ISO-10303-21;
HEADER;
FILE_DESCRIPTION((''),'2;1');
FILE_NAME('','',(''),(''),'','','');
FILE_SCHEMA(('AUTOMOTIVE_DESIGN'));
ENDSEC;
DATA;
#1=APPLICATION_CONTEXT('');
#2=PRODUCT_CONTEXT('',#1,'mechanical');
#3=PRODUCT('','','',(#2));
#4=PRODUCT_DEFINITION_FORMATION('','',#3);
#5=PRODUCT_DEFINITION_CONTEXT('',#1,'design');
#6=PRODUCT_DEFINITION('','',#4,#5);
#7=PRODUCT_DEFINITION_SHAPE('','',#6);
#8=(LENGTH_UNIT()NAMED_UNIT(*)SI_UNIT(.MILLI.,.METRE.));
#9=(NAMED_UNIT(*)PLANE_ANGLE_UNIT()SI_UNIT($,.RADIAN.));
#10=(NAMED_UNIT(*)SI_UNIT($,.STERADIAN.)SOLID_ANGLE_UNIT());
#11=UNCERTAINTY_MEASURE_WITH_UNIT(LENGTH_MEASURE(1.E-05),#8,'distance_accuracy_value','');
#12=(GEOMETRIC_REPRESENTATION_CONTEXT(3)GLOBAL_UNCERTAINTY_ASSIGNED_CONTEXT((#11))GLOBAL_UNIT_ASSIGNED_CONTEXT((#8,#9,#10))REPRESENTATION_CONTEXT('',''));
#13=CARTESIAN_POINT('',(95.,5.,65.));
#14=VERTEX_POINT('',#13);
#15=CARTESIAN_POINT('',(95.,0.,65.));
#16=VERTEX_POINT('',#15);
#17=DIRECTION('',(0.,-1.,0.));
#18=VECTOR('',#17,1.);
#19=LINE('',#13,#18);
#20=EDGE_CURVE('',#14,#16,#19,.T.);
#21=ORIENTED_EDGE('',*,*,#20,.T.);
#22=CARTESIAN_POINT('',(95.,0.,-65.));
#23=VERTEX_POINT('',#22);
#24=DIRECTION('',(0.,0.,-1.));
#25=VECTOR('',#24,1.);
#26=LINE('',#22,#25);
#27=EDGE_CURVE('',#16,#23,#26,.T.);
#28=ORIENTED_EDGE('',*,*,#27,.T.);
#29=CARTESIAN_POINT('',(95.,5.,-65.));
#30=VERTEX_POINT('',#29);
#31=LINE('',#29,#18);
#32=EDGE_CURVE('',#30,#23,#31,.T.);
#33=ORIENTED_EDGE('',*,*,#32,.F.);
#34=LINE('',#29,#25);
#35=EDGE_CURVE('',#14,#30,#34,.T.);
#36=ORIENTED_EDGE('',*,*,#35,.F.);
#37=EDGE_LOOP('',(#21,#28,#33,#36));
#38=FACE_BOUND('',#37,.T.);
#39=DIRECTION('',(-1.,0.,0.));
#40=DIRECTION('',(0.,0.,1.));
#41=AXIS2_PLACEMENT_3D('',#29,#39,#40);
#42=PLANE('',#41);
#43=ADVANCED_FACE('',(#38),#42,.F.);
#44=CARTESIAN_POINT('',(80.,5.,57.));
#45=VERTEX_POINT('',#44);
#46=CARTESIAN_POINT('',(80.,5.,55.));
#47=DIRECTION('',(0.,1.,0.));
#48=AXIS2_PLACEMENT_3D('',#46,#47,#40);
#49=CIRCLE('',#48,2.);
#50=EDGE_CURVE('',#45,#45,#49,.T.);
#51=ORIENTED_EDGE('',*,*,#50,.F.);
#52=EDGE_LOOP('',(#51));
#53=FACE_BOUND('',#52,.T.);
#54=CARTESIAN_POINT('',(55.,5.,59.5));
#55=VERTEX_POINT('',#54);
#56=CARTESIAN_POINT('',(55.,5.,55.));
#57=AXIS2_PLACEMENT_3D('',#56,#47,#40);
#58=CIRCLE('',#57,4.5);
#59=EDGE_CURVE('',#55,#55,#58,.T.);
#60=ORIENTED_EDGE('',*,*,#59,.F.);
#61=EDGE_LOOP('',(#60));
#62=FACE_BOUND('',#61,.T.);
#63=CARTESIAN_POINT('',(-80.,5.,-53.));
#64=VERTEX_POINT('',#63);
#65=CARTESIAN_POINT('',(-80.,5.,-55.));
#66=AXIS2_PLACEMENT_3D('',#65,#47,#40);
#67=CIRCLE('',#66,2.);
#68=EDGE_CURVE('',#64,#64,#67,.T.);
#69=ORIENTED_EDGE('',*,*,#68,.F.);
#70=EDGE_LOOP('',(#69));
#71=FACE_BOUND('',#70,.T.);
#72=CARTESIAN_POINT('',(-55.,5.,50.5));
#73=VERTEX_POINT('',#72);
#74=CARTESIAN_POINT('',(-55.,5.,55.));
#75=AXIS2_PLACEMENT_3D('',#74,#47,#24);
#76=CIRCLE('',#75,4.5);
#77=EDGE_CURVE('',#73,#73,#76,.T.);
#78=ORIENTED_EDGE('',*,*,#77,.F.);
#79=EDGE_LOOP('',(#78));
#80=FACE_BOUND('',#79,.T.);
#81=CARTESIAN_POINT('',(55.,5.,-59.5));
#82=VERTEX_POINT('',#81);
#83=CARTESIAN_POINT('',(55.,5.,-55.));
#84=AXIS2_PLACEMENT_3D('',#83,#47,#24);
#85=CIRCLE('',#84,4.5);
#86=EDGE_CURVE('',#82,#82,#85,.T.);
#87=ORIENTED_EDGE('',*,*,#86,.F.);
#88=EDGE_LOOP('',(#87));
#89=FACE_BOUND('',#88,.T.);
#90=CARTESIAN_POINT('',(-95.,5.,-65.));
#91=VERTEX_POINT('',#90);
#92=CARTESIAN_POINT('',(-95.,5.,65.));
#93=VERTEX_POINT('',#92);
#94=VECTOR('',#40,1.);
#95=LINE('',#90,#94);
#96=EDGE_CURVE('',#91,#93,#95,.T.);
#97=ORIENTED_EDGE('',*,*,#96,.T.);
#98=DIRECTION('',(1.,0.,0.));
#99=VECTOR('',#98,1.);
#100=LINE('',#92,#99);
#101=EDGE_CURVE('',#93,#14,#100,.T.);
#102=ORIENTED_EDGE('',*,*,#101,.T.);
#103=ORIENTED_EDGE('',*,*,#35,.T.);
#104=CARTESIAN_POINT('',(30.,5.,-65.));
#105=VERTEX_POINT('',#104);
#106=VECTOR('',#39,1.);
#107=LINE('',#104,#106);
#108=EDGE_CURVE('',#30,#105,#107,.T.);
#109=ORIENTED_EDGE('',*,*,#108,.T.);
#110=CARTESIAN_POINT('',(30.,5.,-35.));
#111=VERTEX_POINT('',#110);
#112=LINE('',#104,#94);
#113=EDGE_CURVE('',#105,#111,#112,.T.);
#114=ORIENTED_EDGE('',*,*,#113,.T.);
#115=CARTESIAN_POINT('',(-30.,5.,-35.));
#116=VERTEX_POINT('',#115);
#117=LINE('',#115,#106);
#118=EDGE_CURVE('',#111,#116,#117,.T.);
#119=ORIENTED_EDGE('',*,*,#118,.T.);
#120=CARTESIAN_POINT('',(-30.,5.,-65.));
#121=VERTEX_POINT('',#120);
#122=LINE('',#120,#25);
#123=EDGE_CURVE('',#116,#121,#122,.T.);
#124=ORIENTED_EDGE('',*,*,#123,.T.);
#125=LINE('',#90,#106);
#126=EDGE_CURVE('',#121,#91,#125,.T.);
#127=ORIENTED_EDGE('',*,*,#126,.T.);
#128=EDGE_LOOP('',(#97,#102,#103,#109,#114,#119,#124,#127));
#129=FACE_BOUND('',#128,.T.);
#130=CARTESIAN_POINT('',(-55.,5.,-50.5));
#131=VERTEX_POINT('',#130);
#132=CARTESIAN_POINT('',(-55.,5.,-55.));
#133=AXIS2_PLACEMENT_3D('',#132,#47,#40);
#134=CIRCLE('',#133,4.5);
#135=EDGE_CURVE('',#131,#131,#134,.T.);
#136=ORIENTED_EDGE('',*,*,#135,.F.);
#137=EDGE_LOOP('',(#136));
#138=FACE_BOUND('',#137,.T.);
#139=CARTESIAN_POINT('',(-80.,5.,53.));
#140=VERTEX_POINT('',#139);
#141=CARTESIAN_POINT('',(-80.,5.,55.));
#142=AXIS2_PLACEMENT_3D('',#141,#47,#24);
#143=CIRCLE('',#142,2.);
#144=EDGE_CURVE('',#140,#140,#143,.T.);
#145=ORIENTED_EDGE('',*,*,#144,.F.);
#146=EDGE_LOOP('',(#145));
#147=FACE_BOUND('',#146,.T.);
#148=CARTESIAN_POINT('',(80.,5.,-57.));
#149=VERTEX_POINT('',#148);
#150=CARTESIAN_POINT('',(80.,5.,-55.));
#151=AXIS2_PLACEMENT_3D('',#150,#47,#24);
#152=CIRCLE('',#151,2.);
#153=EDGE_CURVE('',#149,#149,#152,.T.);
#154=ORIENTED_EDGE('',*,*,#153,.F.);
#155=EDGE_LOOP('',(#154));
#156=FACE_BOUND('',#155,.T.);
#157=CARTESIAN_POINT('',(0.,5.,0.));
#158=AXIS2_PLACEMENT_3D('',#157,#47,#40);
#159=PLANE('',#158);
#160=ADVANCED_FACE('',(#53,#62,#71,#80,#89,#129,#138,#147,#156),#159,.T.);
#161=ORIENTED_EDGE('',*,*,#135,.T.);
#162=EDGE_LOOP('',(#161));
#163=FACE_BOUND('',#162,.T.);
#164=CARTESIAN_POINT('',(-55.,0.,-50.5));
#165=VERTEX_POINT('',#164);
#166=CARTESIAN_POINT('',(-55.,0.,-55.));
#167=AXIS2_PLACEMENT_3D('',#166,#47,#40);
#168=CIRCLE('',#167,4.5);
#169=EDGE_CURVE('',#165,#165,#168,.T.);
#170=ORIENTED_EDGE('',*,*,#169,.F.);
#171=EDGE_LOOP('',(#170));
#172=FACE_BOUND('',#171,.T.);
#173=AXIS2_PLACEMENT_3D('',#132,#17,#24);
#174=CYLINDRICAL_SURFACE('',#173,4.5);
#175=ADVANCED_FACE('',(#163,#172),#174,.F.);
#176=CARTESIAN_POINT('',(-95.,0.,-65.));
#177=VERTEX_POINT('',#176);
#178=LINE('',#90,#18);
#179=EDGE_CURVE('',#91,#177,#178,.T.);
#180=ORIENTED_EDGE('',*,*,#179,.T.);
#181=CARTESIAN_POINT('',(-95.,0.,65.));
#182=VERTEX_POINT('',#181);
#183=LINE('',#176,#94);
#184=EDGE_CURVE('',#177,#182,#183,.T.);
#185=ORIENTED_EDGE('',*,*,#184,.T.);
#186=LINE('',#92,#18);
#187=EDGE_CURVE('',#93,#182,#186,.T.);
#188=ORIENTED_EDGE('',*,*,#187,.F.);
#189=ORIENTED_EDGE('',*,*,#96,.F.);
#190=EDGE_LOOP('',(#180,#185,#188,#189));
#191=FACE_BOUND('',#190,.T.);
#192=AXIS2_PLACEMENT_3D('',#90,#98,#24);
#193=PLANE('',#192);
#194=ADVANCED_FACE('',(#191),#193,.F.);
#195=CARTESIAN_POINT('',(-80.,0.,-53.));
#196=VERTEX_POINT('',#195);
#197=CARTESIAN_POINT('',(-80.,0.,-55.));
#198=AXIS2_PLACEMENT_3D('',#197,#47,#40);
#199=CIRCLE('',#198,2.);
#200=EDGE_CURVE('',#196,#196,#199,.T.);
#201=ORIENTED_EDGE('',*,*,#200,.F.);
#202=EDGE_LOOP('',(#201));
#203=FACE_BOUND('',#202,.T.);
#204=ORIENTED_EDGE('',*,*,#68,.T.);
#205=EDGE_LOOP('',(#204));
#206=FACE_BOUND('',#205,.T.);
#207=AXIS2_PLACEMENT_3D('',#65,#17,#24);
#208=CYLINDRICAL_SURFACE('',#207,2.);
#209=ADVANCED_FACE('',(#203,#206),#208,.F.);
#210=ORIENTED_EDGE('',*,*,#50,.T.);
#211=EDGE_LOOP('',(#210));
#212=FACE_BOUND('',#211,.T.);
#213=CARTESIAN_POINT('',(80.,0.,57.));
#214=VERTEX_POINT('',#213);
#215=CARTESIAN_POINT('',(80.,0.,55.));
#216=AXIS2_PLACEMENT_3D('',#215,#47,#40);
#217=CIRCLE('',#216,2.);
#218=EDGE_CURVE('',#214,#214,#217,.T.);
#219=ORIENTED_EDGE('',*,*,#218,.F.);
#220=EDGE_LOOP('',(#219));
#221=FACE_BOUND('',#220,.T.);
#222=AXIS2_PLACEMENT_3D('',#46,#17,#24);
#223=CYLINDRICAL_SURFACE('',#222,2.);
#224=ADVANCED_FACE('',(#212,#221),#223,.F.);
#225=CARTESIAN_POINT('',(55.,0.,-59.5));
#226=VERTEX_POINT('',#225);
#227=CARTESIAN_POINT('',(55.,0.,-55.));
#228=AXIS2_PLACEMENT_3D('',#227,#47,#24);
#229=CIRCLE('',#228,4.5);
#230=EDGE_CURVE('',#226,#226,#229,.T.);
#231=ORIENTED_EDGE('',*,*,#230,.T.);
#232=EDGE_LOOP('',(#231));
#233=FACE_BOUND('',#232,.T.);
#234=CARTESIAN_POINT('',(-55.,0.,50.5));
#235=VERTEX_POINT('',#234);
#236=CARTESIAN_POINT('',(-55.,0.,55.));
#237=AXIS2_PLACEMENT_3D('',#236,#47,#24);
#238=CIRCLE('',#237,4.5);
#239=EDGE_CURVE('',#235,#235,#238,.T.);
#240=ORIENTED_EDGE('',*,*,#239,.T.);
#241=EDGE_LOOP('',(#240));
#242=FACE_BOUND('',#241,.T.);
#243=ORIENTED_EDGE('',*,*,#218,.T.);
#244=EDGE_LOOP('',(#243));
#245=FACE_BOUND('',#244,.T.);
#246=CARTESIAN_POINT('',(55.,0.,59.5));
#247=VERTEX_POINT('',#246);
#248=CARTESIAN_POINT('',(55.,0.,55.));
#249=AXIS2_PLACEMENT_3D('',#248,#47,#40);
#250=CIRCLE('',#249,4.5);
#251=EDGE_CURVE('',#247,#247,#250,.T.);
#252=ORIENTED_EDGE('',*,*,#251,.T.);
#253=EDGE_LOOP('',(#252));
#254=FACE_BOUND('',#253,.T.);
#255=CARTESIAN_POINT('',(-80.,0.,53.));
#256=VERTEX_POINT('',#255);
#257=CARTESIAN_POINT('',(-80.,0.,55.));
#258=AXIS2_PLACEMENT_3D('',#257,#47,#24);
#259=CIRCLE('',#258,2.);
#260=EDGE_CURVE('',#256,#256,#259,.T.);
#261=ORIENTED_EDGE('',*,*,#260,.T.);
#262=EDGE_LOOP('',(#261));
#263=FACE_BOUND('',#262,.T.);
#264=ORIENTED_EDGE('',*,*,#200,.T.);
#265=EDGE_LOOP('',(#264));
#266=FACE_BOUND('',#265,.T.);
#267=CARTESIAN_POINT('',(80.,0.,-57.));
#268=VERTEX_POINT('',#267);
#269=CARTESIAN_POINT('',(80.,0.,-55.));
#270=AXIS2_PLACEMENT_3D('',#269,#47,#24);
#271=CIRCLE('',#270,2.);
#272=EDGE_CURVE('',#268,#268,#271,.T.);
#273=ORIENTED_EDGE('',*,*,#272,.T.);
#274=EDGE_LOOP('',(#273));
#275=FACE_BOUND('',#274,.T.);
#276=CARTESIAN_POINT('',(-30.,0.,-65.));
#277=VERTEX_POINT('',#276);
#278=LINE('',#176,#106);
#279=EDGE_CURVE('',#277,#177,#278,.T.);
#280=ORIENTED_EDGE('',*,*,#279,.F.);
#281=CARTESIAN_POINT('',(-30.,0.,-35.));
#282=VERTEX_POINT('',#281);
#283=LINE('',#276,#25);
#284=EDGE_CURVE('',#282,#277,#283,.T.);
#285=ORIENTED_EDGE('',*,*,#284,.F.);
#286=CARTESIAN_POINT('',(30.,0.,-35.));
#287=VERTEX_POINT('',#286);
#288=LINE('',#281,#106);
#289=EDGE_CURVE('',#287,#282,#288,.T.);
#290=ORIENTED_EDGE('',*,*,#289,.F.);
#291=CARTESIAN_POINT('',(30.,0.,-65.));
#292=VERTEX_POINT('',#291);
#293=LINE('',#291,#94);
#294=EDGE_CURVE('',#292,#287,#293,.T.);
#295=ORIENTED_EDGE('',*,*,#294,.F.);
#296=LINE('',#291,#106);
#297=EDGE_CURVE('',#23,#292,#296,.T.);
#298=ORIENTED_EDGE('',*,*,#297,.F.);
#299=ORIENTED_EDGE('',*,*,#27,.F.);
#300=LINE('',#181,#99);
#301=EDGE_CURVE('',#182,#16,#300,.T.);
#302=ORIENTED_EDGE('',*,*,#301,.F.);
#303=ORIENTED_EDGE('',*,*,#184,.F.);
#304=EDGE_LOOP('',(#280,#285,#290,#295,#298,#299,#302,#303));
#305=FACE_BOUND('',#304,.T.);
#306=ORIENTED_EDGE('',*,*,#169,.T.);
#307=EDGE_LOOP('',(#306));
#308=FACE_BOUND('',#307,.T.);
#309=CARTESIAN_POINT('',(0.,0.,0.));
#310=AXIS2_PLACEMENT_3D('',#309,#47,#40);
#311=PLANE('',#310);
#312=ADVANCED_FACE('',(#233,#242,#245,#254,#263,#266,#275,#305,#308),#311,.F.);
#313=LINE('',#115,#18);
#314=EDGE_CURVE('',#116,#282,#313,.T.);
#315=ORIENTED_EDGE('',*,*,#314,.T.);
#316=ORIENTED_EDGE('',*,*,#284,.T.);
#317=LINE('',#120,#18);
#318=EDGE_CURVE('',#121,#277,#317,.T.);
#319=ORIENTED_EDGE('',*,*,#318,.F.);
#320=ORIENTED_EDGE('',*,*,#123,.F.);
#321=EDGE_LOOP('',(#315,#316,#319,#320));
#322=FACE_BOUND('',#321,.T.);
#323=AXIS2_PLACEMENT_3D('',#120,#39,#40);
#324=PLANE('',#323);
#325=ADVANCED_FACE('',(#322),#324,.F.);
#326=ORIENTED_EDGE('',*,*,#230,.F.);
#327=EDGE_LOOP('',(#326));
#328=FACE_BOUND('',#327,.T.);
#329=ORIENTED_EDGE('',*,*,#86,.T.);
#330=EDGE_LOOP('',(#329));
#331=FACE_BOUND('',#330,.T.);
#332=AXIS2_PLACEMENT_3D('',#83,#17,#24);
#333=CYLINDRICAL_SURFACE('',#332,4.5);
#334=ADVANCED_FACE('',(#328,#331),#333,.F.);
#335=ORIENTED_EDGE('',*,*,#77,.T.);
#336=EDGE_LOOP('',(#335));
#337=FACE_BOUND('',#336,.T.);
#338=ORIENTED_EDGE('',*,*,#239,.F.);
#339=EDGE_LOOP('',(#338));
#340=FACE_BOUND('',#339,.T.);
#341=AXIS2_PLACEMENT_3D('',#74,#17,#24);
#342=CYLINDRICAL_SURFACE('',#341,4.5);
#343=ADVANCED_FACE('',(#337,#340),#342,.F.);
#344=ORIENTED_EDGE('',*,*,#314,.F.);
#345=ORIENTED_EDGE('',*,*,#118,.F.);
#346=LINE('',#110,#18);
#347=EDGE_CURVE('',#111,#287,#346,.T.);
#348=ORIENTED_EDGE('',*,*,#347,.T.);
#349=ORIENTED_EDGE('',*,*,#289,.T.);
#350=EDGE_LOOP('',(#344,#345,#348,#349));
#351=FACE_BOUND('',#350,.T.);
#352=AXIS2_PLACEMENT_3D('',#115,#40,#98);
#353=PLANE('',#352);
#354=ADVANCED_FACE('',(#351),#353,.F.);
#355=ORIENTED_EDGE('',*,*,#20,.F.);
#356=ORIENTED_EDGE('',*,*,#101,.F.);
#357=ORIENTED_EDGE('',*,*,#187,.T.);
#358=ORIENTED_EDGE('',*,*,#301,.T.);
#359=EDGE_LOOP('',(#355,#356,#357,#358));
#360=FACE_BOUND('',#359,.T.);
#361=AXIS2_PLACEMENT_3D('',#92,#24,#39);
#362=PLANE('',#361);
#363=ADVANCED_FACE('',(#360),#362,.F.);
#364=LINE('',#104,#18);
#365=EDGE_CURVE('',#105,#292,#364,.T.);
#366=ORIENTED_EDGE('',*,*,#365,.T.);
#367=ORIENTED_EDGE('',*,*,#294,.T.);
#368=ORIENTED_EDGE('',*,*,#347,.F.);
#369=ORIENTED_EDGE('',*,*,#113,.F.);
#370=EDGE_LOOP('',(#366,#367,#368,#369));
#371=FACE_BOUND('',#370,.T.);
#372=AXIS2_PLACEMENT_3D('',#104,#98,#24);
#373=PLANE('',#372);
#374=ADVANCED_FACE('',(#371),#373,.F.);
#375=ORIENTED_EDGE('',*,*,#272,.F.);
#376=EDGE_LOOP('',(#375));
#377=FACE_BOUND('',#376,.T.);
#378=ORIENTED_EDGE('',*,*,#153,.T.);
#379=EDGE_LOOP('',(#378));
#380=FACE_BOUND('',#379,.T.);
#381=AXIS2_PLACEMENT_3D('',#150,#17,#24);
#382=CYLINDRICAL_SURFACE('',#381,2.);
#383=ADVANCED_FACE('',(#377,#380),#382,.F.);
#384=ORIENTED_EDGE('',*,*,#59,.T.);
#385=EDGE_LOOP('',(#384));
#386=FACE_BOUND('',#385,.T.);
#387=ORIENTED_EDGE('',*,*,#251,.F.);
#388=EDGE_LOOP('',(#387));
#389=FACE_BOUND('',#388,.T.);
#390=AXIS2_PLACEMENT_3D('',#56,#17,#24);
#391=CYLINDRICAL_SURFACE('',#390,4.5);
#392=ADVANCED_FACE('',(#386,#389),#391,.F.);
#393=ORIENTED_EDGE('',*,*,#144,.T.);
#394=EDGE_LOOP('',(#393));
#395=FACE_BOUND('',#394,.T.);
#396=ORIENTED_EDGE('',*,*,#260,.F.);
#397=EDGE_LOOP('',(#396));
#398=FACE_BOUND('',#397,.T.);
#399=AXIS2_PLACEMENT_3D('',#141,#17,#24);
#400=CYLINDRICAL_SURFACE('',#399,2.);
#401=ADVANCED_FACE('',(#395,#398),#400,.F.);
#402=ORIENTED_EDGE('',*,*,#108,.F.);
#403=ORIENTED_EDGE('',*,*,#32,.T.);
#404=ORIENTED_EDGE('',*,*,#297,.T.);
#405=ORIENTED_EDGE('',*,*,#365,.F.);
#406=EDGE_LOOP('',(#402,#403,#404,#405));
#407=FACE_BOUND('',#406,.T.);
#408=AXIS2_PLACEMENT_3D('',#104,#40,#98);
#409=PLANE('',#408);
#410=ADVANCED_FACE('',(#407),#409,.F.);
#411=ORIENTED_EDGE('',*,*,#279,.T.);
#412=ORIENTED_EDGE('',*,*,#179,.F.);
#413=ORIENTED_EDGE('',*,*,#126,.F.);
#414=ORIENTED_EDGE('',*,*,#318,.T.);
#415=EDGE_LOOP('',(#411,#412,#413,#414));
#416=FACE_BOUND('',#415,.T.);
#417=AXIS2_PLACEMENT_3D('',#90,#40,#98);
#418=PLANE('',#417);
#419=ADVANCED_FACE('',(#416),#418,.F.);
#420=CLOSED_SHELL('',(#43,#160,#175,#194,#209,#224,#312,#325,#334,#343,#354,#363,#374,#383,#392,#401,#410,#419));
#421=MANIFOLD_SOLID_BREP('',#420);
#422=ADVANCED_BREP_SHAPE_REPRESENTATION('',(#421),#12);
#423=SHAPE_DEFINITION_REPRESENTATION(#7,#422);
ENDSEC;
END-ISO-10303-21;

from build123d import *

# Parameters (mm, degrees)
SKETCH_1_R      = 4.5
SKETCH_1_R_2    = 2
EXTRUDE_1_DEPTH = 5


with BuildPart() as part:
    # 草图1 → 凸台-拉伸1 (new body)
    with BuildSketch(Plane(origin=(0, 0, 0), x_dir=(1, 0, 0), z_dir=(0, 1, 0))):
        Polygon((30, 65), (95, 65), (95, -65), (-95, -65), (-95, 65), (-30, 65), (-30, 35), (30, 35), align=None)
        with Locations(Location((-55, 55, 0), (0, 0, 270))):
            Circle(SKETCH_1_R, mode=Mode.SUBTRACT)
        with Locations(Location((55, 55, 0), (0, 0, 90))):
            Circle(SKETCH_1_R, mode=Mode.SUBTRACT)
        with Locations(Location((55, -55, 0), (0, 0, 270))):
            Circle(SKETCH_1_R, mode=Mode.SUBTRACT)
        with Locations(Location((-55, -55, 0), (0, 0, 90))):
            Circle(SKETCH_1_R, mode=Mode.SUBTRACT)
        with Locations(Location((-80, 55, 0), (0, 0, 270))):
            Circle(SKETCH_1_R_2, mode=Mode.SUBTRACT)
        with Locations(Location((-80, -55, 0), (0, 0, 90))):
            Circle(SKETCH_1_R_2, mode=Mode.SUBTRACT)
        with Locations(Location((80, -55, 0), (0, 0, 270))):
            Circle(SKETCH_1_R_2, mode=Mode.SUBTRACT)
        with Locations(Location((80, 55, 0), (0, 0, 90))):
            Circle(SKETCH_1_R_2, mode=Mode.SUBTRACT)
    extrude(amount=EXTRUDE_1_DEPTH)


solid = part.part
